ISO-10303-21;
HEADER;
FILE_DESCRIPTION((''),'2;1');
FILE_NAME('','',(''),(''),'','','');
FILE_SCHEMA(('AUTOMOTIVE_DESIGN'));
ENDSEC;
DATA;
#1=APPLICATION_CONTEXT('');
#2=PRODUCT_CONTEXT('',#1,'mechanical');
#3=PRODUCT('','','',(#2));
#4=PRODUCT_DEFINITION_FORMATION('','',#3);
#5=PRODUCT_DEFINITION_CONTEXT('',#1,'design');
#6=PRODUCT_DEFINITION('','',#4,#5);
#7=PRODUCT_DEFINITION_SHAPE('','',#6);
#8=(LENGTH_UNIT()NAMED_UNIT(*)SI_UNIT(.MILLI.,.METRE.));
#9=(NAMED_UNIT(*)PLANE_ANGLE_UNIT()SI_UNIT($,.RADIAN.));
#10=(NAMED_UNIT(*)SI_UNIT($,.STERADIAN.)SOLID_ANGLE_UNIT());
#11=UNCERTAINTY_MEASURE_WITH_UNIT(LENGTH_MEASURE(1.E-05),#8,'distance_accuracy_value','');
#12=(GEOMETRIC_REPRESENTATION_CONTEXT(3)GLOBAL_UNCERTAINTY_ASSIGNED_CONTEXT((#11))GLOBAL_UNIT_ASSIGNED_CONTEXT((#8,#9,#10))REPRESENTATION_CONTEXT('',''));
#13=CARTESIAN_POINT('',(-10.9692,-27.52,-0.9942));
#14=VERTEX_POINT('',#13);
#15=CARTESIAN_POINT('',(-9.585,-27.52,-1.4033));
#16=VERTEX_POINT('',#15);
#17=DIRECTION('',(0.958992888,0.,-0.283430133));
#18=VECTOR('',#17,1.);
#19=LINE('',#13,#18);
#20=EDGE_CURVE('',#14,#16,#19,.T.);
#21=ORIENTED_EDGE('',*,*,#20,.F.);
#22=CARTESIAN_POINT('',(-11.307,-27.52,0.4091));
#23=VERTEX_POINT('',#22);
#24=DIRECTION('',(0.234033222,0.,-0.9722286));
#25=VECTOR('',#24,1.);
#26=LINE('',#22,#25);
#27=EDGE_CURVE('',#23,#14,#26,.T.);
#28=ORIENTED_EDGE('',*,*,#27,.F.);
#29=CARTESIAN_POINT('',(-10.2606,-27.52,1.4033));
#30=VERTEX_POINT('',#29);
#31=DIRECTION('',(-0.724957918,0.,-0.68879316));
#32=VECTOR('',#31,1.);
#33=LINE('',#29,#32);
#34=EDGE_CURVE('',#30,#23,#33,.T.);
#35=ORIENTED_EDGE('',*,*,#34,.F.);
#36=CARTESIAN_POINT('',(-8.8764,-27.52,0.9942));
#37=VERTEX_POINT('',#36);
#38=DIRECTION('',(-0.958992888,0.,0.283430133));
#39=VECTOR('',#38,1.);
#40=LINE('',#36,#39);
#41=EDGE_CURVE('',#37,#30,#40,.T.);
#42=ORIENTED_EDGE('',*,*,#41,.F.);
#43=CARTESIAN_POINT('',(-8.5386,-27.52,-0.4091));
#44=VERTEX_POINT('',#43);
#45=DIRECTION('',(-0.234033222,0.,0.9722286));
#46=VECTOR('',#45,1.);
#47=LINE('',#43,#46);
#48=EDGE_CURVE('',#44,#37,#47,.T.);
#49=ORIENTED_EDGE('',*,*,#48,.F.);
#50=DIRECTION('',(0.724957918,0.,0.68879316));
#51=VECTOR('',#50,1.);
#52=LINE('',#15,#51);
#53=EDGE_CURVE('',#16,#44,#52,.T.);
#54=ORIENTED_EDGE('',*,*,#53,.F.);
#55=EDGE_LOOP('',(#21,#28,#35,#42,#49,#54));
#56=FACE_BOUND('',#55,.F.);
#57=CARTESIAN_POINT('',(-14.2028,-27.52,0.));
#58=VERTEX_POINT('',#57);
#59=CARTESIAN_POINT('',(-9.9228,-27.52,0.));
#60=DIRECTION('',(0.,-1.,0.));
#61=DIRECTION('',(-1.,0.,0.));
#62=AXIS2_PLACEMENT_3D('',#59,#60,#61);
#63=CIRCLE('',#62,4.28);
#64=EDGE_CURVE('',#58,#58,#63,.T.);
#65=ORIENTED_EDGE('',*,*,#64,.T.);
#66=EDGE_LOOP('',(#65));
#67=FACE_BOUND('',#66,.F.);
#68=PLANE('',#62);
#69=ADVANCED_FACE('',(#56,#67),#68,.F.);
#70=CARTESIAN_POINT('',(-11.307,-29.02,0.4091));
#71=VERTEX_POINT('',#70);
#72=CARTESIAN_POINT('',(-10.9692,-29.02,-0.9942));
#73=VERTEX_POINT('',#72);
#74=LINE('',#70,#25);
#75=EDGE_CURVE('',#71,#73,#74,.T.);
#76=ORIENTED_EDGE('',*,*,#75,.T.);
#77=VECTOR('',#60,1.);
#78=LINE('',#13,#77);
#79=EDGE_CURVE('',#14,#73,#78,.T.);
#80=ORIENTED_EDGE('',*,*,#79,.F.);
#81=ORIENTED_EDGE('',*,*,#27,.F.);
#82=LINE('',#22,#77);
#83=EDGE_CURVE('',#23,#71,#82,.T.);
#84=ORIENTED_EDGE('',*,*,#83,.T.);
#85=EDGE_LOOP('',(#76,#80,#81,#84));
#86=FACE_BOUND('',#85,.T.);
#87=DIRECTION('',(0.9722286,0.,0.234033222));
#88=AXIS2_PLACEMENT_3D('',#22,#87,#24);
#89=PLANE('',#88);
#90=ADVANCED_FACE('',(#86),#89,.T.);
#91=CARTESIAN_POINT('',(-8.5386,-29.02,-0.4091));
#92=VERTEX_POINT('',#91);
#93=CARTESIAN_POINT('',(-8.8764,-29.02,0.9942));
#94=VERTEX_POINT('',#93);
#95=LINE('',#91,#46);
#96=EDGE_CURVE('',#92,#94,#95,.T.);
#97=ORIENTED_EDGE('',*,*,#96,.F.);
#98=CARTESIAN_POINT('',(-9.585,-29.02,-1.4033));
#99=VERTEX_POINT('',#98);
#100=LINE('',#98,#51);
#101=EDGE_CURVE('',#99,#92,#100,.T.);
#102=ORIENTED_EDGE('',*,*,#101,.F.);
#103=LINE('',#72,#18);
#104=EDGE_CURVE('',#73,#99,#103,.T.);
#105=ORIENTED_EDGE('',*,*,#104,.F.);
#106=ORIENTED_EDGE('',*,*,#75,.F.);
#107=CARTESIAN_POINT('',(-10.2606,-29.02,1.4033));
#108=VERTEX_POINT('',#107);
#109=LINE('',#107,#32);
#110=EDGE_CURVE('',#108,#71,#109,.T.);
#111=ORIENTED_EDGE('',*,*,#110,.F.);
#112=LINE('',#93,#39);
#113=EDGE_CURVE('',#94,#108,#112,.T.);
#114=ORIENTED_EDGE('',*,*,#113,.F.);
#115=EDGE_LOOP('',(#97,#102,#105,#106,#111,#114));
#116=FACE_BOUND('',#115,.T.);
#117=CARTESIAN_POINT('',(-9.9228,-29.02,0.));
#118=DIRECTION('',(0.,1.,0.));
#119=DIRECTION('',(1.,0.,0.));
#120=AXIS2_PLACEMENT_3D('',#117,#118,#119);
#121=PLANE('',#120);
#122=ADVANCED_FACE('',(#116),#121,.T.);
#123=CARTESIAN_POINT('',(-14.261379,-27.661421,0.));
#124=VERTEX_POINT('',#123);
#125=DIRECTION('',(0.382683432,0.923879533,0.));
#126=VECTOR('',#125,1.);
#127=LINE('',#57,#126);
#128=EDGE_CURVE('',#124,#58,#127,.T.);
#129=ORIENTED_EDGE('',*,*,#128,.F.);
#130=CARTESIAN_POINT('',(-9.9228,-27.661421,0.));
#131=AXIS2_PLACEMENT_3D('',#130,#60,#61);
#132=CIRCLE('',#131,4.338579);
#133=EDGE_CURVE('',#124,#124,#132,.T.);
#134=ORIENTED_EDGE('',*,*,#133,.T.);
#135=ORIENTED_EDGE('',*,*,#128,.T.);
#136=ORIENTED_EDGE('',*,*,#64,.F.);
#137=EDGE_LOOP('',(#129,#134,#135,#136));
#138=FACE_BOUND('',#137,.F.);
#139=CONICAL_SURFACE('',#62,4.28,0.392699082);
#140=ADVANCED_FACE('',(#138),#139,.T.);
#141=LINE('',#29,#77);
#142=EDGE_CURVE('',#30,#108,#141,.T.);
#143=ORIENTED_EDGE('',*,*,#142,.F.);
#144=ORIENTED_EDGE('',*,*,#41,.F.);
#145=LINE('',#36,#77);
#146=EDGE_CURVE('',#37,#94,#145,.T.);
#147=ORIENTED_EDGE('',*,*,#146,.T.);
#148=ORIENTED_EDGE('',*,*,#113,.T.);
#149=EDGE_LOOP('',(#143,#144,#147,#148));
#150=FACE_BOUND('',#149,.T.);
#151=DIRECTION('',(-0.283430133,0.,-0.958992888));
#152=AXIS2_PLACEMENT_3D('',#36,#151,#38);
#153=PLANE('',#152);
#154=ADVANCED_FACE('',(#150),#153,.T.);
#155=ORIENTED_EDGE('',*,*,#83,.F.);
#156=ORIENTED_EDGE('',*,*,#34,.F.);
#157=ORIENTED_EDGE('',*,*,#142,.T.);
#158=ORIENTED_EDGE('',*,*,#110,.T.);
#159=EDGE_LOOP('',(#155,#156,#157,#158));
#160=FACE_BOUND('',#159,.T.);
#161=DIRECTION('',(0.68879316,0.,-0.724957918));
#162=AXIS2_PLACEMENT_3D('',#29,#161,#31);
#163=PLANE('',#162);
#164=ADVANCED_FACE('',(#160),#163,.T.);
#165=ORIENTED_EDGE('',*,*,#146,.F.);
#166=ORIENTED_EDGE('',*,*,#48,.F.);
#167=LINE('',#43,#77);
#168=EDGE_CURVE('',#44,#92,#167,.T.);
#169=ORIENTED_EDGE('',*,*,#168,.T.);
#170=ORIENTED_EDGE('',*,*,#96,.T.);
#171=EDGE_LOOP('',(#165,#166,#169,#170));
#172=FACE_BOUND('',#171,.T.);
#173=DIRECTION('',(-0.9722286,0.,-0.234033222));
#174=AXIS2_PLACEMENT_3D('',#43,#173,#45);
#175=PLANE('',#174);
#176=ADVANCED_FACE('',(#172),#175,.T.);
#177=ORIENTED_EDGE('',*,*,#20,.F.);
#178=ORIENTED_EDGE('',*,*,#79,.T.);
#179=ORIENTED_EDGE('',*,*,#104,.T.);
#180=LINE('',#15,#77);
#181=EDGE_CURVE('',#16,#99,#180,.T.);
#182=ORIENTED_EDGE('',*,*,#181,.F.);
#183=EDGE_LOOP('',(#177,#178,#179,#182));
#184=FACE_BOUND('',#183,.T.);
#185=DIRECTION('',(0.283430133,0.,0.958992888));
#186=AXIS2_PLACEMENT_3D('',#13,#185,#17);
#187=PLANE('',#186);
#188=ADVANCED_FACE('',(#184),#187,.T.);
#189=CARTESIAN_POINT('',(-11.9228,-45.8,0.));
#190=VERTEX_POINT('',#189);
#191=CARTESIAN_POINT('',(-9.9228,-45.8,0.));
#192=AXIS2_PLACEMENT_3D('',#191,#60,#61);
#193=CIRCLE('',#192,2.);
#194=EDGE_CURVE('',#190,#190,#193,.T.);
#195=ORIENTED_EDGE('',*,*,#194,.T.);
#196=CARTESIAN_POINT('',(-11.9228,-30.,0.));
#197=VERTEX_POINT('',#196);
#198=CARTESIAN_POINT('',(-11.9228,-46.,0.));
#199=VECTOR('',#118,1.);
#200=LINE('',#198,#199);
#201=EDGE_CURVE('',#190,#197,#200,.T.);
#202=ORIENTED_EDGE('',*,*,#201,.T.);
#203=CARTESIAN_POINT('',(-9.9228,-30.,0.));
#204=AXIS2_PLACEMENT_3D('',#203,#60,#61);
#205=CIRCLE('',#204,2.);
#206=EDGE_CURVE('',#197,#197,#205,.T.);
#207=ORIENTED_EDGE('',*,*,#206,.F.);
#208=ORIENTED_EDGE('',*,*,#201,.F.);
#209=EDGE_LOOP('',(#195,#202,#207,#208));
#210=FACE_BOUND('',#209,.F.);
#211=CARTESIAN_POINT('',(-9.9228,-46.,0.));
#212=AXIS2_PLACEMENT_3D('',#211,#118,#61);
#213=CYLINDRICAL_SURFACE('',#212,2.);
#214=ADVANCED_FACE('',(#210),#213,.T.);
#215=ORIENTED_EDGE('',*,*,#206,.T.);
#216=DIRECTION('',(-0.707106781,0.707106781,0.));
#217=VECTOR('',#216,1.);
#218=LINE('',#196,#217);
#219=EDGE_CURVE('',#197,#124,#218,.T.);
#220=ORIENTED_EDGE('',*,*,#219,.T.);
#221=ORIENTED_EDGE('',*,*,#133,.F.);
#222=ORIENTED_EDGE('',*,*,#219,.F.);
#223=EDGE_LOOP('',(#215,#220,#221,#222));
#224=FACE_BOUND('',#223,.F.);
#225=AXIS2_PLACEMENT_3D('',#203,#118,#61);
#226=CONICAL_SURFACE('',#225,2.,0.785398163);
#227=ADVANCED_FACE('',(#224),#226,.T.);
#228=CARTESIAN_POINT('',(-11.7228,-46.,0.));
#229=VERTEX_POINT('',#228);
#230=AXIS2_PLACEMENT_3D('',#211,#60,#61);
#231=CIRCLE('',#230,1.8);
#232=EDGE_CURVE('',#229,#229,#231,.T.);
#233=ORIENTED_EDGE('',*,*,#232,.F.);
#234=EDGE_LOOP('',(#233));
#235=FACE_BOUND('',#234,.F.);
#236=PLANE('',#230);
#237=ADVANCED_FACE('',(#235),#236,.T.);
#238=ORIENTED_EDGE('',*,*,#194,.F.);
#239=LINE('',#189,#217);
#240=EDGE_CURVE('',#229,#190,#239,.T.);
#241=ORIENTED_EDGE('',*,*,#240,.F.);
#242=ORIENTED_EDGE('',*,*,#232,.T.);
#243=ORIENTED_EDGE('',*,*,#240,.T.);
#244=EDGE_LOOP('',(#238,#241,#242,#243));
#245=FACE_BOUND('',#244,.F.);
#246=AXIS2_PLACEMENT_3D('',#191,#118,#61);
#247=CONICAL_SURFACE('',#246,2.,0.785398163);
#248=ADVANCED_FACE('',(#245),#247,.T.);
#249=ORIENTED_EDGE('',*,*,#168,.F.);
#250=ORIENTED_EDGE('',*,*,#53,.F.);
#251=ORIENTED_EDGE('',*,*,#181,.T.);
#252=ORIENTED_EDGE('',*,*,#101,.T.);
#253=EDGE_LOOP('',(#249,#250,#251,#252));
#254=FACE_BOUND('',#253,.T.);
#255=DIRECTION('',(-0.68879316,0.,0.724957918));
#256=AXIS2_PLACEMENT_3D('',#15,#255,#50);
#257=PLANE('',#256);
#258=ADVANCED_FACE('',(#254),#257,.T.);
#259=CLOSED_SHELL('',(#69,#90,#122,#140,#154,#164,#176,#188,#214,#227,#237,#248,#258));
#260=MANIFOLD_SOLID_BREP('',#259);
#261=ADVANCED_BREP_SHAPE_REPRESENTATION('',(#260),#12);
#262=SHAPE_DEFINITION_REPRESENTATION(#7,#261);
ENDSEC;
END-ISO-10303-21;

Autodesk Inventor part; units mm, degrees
ref_plane "YZ Plane" through (0, 0, 0) normal (1, 0, 0) x (0, 1, 0)
ref_plane "XZ Plane" through (0, 0, 0) normal (0, 1, 0) x (-1, 0, 0)
ref_plane "XY Plane" through (0, 0, 0) normal (0, 0, 1) x (1, 0, 0)
sketch "Sketch1" plane through (0, 0, 0) normal (0, 0, 1) x (1, 0, 0)
  line L0 (-14.4028, -27.52) -> (-9.9228, -27.52)
  line L1 (-9.9228, -27.52) -> (-9.9228, -31)
  line L2 (-9.9228, -31) -> (-9.9228, -46)
  line L3 (-9.9228, -46) -> (-11.9228, -46)
  line L4 (-11.9228, -46) -> (-11.9228, -30)
  line L5 (-11.9228, -30) -> (-14.4028, -27.52)
  line L6 (-11.9228, -30) -> (-6.9228, -30) construction
  point P0 (0, 0)
  dimension "d3" = 2
  dimension "d15" = 2.48
  dimension "d16" = 4.48
  dimension "d24" = 90
  dimension "d25" = 16
revolve "Revolution1" add sketch "Sketch1" angle 360 about axis through (-9.9228, -31, 0) along (0, -1, 0)
chamfer "Chamfer2" distance 0.2 angle 45 1 edges at (-7.9228, -46, 0)
thread "Rosca1" size "M4x0.7" class "6g" standard "ANSI Metric M Profile" full length
chamfer "Chaflán3" distance 0.2 angle 45 1 edges at (-5.4428, -27.52, 0)
sketch "Boceto2" plane through (-9.9228, -27.52, 0) normal (0, 1, 0) x (1, 0, 0)
  line L0 (-1.0464, 0.9942) -> (0.3378, 1.4033)
  line L1 (0.3378, 1.4033) -> (1.3842, 0.4091)
  line L2 (1.3842, 0.4091) -> (1.0464, -0.9942)
  line L3 (1.0464, -0.9942) -> (-0.3378, -1.4033)
  line L4 (-0.3378, -1.4033) -> (-1.3842, -0.4091)
  line L5 (-1.3842, -0.4091) -> (-1.0464, 0.9942)
  point P0 (9.9228, 0)
  point P1 (0, 0)
  dimension "d20" = 2.5
extrude "Extrusión1" cut sketch "Boceto2" against normal blind 1.5
properties part number "Tornillo Allen cabeza fresada M4x16mm"
